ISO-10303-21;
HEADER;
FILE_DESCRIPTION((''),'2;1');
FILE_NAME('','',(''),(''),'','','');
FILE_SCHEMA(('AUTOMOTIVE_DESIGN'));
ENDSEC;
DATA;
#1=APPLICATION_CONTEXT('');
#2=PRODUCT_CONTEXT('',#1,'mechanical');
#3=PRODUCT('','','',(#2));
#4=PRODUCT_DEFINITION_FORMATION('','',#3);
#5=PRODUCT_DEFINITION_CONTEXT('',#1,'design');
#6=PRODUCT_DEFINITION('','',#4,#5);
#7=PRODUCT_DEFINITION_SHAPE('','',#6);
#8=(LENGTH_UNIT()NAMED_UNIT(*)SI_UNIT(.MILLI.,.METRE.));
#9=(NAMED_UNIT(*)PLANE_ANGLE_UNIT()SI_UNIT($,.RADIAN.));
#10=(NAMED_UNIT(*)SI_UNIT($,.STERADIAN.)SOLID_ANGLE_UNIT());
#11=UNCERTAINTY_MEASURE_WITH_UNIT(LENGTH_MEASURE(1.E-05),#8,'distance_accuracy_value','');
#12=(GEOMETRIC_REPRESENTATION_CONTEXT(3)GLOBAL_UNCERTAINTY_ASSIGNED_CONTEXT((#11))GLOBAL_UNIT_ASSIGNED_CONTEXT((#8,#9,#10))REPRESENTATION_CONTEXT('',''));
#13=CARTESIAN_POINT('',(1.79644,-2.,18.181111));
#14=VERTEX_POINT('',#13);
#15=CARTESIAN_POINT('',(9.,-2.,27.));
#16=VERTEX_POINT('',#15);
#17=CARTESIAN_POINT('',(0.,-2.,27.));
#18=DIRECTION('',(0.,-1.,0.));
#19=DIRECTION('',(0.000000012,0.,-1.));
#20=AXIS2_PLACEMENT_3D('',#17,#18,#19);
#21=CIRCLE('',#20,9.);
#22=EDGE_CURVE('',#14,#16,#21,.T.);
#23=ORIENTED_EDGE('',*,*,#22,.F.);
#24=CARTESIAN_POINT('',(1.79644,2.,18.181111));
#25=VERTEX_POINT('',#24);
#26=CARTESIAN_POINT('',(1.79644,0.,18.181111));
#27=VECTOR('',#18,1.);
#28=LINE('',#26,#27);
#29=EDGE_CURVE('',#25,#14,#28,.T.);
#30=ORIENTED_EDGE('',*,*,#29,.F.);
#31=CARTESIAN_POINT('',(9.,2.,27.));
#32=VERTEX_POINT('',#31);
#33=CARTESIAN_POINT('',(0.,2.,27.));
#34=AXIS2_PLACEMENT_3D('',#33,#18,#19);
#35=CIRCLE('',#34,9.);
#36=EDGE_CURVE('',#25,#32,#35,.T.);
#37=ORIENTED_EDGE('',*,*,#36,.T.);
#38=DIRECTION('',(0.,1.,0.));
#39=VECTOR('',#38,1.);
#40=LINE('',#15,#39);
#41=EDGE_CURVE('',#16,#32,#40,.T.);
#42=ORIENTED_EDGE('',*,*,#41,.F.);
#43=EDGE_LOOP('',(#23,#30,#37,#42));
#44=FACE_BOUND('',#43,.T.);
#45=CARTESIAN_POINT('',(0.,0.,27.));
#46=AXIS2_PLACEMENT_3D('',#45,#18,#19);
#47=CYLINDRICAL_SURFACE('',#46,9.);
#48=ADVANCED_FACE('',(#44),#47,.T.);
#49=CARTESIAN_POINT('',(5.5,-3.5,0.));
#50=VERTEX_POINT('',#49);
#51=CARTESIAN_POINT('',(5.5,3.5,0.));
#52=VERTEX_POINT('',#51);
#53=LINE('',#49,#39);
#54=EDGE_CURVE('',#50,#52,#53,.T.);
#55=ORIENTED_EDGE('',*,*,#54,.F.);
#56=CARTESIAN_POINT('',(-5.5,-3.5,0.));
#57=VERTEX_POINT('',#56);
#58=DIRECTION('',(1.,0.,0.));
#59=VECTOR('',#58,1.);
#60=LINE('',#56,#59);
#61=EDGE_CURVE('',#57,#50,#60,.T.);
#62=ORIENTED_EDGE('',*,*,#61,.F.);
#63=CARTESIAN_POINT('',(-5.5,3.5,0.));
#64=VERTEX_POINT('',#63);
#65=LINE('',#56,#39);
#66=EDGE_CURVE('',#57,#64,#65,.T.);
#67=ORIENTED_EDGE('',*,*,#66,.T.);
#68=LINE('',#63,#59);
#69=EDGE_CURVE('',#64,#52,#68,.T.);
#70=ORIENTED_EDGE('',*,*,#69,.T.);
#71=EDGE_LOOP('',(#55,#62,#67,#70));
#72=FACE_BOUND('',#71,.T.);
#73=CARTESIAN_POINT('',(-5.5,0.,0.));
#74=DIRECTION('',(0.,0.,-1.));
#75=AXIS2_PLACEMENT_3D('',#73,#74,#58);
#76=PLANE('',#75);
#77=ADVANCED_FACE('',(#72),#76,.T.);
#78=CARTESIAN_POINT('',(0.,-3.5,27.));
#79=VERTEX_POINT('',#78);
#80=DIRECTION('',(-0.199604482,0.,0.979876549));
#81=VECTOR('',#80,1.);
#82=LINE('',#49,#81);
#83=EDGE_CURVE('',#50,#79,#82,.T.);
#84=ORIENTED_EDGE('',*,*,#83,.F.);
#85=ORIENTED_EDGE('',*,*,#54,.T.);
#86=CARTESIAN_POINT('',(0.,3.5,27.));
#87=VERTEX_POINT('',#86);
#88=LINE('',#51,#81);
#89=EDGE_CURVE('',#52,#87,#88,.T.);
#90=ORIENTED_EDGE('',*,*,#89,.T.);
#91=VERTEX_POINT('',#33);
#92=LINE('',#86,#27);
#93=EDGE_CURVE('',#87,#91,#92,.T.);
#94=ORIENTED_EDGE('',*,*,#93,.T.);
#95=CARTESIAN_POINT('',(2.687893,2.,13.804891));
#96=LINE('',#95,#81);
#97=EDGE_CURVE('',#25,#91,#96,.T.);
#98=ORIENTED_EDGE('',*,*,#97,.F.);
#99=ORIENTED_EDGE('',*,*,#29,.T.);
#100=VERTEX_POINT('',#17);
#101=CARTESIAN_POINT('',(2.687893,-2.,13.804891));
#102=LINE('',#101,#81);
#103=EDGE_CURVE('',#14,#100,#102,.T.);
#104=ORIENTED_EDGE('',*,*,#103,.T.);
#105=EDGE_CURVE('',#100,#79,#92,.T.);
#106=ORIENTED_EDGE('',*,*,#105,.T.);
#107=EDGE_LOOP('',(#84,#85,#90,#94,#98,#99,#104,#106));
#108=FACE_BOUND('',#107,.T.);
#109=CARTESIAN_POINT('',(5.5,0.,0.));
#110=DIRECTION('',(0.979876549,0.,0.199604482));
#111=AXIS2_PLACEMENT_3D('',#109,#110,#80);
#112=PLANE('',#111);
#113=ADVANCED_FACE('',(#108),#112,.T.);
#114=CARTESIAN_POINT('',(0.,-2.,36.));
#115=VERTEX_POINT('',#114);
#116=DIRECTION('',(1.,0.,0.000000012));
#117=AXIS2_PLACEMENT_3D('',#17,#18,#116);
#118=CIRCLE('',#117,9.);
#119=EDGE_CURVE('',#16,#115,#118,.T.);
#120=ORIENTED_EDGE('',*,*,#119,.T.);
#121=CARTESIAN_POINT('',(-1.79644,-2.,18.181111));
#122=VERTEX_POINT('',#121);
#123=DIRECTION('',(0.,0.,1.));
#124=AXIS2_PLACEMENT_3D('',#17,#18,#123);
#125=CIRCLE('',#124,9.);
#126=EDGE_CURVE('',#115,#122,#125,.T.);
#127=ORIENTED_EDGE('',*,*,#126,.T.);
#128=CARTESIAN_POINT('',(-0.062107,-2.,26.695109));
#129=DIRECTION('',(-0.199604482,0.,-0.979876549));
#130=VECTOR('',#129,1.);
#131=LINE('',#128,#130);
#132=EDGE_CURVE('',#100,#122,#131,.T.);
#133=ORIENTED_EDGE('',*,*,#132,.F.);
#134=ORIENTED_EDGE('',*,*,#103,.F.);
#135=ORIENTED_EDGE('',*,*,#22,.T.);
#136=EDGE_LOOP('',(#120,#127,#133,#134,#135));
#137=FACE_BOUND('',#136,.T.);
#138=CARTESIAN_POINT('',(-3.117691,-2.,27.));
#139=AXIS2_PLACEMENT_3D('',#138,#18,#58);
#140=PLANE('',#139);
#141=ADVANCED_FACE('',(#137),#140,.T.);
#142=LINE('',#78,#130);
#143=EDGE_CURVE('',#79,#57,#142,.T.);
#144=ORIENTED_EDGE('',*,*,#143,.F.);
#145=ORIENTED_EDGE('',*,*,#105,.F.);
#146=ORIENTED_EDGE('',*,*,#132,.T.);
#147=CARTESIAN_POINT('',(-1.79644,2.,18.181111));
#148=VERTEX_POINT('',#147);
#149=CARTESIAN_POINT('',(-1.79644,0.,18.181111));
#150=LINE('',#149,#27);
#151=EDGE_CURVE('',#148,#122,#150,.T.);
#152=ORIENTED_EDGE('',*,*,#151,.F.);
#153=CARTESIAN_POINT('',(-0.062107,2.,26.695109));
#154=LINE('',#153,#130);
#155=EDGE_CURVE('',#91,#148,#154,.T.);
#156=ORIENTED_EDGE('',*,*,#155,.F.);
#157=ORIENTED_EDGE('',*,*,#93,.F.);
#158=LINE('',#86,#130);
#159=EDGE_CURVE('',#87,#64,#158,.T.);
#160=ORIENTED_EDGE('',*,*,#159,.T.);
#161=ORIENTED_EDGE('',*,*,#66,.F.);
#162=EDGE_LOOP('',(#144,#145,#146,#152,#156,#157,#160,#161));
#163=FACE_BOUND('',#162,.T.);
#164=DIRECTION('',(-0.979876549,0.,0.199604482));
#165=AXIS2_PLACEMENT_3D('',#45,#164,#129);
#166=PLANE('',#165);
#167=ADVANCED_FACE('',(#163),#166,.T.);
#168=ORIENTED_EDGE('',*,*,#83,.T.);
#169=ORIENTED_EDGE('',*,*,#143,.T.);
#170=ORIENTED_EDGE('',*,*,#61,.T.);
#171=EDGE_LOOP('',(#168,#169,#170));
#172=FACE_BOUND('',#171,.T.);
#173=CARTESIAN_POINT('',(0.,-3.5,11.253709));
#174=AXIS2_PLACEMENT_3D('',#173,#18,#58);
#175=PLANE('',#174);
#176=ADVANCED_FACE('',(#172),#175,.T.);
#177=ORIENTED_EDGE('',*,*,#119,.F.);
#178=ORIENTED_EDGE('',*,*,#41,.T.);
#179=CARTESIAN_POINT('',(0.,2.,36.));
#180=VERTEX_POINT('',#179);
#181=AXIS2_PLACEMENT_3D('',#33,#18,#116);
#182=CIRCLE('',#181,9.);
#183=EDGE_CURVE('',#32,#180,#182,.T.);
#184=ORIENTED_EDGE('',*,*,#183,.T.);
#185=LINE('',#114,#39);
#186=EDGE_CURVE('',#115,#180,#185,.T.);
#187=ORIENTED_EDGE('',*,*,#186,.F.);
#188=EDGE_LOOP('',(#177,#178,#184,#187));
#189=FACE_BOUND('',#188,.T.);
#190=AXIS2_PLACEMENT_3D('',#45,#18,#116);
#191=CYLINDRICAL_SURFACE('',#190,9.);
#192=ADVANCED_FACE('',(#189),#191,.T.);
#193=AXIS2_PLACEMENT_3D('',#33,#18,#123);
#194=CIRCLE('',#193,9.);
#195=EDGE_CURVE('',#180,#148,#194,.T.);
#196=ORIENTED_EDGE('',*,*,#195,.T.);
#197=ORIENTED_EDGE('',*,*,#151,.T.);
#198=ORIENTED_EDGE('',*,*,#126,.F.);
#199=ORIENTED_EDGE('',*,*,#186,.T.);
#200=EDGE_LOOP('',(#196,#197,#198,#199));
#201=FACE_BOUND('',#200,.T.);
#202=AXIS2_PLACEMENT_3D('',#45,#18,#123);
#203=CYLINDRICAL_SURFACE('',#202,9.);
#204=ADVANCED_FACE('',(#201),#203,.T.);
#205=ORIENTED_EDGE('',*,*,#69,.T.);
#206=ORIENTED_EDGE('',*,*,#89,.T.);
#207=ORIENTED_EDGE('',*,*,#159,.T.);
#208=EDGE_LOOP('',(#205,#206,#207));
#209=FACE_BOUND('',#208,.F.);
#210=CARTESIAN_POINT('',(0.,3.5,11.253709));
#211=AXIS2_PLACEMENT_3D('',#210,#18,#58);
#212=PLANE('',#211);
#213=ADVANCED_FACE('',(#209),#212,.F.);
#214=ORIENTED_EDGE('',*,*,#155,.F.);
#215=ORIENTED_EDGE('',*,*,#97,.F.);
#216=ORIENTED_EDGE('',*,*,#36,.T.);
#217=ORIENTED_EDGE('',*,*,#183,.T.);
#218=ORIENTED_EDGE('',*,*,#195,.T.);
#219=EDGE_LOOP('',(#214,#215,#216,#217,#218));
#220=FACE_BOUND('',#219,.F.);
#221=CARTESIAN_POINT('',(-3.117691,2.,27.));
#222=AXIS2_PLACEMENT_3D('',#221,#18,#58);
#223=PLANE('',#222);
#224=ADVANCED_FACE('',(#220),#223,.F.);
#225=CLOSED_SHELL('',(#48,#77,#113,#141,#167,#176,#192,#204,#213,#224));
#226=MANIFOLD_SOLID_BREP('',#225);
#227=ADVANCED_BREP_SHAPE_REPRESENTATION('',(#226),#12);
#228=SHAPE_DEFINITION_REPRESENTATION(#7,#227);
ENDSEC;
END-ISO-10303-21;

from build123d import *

# Parameters (mm, degrees)
F1_DEPTH = 2
F3_DEPTH = 3.5


with BuildPart() as f1:
    # F0 (on Front) → F1 (new body, symmetric)
    with BuildSketch(Plane.XZ):
        with BuildLine():
            Line((0, 18), (0, 36))
            ThreePointArc((0, 36), (-9, 27), (0, 18))
        make_face()
        with BuildLine():
            ThreePointArc((0, 18), (6.363961, 20.636039), (9, 27))
            ThreePointArc((9, 27), (6.363961, 33.363961), (0, 36))
            Line((0, 36), (0, 18))
        make_face()
    extrude(amount=F1_DEPTH, both=True)

    # F2 (on Front) → F3 (join, symmetric)
    with BuildSketch(Plane.XZ):
        Polygon((5.5, 0), (0, 27), (-5.5, 0), align=None)
    extrude(amount=F3_DEPTH, both=True)

    # F4: F1 across plane


with BuildPart() as f1_1:
    add(f1.part)
    add(f1.part.mirror(Plane.XZ))


solid = f1_1.part
